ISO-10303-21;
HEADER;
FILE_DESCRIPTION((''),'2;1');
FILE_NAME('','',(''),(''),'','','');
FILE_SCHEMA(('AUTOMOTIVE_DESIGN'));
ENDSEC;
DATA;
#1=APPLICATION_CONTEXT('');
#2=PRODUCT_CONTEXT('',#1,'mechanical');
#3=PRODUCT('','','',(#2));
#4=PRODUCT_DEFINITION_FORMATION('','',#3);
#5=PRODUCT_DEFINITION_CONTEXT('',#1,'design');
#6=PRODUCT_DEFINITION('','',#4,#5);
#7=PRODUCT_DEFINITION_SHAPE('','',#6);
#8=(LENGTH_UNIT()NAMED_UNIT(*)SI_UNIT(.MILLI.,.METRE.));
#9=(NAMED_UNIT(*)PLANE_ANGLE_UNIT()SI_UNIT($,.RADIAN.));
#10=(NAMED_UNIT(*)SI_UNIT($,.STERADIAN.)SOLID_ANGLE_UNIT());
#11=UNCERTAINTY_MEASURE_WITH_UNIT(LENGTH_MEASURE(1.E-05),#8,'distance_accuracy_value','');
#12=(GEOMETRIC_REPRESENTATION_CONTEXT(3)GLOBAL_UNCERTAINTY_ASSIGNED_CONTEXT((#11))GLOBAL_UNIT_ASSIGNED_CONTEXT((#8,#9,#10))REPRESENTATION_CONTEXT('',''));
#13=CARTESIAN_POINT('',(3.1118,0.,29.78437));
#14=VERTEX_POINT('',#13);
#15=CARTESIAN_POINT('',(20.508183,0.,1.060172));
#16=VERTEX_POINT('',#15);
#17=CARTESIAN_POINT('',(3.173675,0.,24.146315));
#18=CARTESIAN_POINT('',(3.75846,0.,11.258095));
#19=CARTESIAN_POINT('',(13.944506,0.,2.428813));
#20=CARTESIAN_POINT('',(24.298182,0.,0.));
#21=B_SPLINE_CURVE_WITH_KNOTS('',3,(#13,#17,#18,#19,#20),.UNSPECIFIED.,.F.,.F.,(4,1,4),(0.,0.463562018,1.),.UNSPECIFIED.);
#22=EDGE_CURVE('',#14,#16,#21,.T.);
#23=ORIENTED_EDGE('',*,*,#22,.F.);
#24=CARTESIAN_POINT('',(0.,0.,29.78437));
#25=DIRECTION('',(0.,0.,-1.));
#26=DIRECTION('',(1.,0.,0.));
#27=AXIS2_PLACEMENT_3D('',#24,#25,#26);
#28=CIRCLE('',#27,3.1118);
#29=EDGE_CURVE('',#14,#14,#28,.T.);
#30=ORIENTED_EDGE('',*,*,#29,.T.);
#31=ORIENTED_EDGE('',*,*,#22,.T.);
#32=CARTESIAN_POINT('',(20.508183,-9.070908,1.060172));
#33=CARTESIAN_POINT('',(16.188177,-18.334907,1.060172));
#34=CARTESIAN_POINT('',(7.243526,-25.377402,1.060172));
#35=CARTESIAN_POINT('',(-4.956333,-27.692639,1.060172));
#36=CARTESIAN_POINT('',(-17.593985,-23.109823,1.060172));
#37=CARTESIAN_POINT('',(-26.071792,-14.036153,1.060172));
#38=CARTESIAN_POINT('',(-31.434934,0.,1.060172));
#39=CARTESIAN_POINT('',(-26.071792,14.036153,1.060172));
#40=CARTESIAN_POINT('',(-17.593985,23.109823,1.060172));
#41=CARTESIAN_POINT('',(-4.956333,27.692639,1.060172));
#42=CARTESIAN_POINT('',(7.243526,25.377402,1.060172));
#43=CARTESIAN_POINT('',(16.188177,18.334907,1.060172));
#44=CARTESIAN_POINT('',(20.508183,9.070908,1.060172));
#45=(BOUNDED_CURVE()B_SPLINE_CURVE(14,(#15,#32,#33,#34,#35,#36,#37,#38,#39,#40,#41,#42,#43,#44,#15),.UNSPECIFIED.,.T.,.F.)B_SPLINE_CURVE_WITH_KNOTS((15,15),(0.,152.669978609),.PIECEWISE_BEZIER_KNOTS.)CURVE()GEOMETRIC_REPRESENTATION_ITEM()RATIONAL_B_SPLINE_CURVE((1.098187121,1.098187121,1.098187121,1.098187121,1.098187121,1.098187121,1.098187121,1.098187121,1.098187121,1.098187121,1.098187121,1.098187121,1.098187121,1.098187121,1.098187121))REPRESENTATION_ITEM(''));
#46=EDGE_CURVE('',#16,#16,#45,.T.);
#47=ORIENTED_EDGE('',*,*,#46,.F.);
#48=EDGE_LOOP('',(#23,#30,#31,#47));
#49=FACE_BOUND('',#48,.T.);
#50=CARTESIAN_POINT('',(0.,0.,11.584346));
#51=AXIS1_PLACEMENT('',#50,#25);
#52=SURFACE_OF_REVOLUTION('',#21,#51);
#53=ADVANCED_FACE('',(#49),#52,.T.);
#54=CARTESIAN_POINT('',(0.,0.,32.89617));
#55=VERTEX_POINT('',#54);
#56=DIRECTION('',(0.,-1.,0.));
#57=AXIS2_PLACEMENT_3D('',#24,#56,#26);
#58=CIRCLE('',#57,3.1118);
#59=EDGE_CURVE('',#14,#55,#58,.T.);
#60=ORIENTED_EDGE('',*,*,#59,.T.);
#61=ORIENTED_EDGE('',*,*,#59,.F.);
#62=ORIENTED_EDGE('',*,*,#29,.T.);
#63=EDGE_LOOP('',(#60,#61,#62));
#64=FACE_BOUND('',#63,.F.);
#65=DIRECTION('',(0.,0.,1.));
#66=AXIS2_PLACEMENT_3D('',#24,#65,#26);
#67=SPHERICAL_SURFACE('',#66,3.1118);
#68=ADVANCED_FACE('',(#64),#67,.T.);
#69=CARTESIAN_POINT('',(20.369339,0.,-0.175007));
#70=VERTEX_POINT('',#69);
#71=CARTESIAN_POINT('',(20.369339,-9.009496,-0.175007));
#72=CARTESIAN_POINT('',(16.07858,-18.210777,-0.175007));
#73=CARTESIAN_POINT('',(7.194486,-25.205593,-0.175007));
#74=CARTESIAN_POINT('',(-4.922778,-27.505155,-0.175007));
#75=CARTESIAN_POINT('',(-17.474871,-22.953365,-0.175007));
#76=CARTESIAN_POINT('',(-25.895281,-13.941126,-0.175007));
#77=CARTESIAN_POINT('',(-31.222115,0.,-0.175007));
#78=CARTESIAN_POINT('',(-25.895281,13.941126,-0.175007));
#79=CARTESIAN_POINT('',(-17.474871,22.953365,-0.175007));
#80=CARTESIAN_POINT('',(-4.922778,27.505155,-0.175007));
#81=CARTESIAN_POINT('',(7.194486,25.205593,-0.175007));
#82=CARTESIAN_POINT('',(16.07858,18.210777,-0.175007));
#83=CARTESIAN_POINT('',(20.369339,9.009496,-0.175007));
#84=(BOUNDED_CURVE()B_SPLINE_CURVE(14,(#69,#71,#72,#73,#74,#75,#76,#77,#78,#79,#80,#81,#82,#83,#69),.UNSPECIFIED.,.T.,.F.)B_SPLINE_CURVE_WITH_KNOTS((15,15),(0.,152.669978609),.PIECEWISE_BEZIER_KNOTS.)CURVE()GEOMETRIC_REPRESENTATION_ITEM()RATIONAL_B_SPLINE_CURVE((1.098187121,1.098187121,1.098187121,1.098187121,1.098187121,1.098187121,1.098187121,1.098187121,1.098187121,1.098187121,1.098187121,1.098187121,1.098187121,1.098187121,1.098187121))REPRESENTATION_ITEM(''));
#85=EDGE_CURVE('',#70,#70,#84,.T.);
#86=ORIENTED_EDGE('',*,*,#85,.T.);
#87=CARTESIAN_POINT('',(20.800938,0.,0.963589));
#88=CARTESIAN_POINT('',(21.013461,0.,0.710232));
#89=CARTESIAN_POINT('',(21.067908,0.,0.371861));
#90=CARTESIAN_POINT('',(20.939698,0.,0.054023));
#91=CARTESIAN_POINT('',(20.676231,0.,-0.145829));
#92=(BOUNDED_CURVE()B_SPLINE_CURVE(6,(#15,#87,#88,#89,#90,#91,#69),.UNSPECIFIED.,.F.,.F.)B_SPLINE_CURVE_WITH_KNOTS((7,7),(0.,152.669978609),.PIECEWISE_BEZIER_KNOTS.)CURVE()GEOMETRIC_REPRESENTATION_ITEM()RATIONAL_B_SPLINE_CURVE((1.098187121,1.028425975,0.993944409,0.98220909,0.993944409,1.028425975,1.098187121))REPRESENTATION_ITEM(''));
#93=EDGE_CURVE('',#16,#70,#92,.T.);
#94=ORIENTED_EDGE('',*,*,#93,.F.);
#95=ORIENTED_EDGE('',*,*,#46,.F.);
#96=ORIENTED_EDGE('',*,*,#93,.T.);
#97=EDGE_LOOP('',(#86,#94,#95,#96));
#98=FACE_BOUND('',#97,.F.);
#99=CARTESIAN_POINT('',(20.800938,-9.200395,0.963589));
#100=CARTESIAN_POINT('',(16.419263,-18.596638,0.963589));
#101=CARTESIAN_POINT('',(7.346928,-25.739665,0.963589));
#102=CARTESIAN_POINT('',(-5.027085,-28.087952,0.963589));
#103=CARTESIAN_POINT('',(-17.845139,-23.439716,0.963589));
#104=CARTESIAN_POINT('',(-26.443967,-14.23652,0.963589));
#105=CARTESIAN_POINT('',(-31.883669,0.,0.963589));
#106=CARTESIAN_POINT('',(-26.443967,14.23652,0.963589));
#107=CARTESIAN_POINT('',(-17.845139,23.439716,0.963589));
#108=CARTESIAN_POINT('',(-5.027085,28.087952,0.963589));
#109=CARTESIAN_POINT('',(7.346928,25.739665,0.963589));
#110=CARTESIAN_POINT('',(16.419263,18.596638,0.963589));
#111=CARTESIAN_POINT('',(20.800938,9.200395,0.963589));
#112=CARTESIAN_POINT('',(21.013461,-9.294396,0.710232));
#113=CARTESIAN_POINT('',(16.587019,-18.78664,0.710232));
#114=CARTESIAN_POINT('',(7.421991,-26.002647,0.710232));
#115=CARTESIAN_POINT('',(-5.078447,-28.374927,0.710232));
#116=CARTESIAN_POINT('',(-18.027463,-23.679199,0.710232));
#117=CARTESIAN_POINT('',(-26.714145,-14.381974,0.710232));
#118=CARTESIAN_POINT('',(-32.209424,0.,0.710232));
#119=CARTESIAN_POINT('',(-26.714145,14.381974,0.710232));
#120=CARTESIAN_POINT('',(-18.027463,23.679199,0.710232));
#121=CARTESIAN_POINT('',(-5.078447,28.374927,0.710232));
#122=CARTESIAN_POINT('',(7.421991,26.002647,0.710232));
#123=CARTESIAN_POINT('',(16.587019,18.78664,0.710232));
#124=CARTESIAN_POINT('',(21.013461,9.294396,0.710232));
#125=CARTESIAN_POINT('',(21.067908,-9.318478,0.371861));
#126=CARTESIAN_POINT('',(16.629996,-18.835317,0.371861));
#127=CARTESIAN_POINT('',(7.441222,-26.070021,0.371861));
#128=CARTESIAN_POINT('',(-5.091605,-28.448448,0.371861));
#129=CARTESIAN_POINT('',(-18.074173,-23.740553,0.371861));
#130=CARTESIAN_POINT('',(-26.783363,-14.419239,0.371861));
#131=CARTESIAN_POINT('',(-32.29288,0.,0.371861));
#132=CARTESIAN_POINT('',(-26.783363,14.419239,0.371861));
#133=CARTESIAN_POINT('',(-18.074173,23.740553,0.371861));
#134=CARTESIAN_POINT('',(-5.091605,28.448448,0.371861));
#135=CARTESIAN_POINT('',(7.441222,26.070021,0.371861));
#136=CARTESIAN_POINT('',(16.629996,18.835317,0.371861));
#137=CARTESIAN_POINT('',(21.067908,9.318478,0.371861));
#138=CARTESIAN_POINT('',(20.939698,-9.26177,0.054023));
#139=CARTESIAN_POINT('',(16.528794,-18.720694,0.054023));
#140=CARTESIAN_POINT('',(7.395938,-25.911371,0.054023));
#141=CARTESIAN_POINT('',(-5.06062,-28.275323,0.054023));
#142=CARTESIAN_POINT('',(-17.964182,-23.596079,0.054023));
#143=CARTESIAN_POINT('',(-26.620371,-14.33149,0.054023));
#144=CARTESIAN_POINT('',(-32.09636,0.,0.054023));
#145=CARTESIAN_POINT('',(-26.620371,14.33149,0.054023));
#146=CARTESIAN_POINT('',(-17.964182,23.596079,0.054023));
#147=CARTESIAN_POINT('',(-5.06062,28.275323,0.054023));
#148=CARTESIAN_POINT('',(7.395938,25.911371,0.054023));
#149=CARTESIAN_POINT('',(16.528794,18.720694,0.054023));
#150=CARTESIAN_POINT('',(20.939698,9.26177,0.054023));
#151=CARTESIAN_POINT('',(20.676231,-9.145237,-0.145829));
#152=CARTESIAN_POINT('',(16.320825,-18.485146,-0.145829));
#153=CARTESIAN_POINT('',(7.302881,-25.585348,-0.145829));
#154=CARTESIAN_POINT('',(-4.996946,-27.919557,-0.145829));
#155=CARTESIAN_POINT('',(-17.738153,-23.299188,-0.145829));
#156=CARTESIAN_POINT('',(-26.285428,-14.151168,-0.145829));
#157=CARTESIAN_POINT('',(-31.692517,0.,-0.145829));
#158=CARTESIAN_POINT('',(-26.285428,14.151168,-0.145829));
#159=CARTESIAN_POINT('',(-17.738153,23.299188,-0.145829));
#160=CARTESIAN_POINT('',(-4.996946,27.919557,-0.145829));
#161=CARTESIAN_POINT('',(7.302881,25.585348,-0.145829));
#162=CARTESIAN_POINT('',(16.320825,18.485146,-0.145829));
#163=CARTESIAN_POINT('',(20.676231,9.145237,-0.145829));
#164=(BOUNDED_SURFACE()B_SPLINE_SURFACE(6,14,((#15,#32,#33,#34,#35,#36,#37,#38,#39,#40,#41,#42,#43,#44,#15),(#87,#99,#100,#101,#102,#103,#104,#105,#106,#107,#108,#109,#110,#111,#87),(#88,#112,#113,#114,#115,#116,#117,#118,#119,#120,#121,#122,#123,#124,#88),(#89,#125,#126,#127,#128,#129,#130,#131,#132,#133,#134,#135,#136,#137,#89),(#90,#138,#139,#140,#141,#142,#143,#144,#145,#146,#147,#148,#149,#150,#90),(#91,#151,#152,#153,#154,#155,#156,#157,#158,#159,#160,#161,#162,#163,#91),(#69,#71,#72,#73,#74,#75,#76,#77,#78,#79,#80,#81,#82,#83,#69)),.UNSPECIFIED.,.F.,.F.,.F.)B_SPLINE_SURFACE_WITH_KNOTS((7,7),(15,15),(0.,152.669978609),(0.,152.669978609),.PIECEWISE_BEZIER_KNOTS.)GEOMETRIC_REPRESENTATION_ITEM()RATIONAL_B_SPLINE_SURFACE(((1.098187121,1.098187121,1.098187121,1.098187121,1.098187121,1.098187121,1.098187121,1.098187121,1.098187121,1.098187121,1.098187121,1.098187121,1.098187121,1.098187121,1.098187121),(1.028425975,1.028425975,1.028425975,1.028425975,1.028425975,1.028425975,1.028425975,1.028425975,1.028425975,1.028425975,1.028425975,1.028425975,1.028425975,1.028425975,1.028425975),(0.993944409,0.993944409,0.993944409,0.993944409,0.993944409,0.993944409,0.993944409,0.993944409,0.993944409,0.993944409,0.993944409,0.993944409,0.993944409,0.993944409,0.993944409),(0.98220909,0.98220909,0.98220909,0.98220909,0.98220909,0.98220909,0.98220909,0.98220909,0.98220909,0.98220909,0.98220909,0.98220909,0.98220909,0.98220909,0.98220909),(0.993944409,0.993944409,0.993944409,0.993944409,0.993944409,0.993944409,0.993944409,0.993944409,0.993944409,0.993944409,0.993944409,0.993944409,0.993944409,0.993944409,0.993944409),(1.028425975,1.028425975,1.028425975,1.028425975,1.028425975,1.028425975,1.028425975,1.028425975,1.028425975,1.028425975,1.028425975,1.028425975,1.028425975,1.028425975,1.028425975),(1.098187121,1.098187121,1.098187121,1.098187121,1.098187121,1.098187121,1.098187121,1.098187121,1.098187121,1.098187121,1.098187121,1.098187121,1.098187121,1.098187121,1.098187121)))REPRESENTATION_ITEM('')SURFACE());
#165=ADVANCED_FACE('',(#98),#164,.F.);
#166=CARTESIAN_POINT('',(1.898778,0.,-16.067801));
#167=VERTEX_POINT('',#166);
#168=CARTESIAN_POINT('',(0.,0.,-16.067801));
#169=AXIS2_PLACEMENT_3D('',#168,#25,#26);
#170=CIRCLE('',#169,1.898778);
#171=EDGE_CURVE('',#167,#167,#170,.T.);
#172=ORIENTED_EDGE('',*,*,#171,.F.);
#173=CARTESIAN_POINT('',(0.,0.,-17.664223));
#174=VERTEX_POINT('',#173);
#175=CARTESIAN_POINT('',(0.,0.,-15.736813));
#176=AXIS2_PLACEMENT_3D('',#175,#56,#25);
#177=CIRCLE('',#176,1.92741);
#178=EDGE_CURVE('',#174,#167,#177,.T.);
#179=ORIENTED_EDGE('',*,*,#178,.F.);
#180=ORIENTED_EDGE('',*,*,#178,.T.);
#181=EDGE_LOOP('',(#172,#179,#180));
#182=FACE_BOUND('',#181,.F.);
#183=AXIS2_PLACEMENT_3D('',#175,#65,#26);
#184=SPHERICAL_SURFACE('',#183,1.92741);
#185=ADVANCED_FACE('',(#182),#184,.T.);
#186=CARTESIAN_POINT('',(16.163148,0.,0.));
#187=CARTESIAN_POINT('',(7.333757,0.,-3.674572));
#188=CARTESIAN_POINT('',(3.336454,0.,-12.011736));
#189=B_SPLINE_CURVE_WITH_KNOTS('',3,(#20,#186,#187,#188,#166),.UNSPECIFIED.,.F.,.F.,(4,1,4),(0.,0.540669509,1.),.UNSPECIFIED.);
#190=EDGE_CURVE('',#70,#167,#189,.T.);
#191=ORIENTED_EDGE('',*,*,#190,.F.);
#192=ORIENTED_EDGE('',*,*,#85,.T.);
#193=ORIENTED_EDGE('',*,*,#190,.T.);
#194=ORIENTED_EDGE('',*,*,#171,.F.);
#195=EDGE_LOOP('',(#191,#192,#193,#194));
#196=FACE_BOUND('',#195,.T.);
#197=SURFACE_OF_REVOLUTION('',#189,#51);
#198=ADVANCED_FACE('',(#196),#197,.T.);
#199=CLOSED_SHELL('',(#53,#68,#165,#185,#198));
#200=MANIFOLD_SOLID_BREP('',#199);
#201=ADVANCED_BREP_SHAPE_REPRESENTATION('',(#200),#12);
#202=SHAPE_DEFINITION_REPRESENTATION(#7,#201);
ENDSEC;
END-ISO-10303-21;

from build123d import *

# Parameters (mm, degrees)
F2_R = 0.635


with BuildPart() as f1:
    # F0 (on Front) → F1 (revolve)
    with BuildSketch(Plane.XZ):
        with BuildLine():
            add(Edge.make_bspline(
                [(3.1117998296, 29.7843702137), (3.17367465, 24.1463146015), (3.7584596413, 11.2580953634), (13.9445057139, 2.4288133718), (24.2981817573, 0)],
                knots=[0, 0, 0, 0, 0.4635620181, 1, 1, 1, 1], degree=3))
            ThreePointArc((3.1117998296, 29.7843702137), (2.2003747612, 31.984744975), (0, 32.8961700434))
            Line((0, 32.8961700434), (0, -17.6642231424))
            ThreePointArc((0, -17.6642231424), (1.2403549088, -17.2120857901), (1.8987779369, -16.0678010347))
            add(Edge.make_bspline(
                [(24.2981817573, 0), (16.1631479859, 0), (7.3337574674, -3.6745723956), (3.3364535914, -12.0117355034), (1.8987779369, -16.0678010347)],
                knots=[0, 0, 0, 0, 0.5406695092, 1, 1, 1, 1], degree=3))
        make_face()
    revolve(axis=Axis((0, 0, 11.5843461826), (0, 0, -1)))

    # F2
    f2_edges = [f1.edges().sort_by_distance(p)[0] for p in [
        (-24.298182, 0, 0),
    ]]
    fillet(f2_edges, radius=F2_R)


solid = f1.part
